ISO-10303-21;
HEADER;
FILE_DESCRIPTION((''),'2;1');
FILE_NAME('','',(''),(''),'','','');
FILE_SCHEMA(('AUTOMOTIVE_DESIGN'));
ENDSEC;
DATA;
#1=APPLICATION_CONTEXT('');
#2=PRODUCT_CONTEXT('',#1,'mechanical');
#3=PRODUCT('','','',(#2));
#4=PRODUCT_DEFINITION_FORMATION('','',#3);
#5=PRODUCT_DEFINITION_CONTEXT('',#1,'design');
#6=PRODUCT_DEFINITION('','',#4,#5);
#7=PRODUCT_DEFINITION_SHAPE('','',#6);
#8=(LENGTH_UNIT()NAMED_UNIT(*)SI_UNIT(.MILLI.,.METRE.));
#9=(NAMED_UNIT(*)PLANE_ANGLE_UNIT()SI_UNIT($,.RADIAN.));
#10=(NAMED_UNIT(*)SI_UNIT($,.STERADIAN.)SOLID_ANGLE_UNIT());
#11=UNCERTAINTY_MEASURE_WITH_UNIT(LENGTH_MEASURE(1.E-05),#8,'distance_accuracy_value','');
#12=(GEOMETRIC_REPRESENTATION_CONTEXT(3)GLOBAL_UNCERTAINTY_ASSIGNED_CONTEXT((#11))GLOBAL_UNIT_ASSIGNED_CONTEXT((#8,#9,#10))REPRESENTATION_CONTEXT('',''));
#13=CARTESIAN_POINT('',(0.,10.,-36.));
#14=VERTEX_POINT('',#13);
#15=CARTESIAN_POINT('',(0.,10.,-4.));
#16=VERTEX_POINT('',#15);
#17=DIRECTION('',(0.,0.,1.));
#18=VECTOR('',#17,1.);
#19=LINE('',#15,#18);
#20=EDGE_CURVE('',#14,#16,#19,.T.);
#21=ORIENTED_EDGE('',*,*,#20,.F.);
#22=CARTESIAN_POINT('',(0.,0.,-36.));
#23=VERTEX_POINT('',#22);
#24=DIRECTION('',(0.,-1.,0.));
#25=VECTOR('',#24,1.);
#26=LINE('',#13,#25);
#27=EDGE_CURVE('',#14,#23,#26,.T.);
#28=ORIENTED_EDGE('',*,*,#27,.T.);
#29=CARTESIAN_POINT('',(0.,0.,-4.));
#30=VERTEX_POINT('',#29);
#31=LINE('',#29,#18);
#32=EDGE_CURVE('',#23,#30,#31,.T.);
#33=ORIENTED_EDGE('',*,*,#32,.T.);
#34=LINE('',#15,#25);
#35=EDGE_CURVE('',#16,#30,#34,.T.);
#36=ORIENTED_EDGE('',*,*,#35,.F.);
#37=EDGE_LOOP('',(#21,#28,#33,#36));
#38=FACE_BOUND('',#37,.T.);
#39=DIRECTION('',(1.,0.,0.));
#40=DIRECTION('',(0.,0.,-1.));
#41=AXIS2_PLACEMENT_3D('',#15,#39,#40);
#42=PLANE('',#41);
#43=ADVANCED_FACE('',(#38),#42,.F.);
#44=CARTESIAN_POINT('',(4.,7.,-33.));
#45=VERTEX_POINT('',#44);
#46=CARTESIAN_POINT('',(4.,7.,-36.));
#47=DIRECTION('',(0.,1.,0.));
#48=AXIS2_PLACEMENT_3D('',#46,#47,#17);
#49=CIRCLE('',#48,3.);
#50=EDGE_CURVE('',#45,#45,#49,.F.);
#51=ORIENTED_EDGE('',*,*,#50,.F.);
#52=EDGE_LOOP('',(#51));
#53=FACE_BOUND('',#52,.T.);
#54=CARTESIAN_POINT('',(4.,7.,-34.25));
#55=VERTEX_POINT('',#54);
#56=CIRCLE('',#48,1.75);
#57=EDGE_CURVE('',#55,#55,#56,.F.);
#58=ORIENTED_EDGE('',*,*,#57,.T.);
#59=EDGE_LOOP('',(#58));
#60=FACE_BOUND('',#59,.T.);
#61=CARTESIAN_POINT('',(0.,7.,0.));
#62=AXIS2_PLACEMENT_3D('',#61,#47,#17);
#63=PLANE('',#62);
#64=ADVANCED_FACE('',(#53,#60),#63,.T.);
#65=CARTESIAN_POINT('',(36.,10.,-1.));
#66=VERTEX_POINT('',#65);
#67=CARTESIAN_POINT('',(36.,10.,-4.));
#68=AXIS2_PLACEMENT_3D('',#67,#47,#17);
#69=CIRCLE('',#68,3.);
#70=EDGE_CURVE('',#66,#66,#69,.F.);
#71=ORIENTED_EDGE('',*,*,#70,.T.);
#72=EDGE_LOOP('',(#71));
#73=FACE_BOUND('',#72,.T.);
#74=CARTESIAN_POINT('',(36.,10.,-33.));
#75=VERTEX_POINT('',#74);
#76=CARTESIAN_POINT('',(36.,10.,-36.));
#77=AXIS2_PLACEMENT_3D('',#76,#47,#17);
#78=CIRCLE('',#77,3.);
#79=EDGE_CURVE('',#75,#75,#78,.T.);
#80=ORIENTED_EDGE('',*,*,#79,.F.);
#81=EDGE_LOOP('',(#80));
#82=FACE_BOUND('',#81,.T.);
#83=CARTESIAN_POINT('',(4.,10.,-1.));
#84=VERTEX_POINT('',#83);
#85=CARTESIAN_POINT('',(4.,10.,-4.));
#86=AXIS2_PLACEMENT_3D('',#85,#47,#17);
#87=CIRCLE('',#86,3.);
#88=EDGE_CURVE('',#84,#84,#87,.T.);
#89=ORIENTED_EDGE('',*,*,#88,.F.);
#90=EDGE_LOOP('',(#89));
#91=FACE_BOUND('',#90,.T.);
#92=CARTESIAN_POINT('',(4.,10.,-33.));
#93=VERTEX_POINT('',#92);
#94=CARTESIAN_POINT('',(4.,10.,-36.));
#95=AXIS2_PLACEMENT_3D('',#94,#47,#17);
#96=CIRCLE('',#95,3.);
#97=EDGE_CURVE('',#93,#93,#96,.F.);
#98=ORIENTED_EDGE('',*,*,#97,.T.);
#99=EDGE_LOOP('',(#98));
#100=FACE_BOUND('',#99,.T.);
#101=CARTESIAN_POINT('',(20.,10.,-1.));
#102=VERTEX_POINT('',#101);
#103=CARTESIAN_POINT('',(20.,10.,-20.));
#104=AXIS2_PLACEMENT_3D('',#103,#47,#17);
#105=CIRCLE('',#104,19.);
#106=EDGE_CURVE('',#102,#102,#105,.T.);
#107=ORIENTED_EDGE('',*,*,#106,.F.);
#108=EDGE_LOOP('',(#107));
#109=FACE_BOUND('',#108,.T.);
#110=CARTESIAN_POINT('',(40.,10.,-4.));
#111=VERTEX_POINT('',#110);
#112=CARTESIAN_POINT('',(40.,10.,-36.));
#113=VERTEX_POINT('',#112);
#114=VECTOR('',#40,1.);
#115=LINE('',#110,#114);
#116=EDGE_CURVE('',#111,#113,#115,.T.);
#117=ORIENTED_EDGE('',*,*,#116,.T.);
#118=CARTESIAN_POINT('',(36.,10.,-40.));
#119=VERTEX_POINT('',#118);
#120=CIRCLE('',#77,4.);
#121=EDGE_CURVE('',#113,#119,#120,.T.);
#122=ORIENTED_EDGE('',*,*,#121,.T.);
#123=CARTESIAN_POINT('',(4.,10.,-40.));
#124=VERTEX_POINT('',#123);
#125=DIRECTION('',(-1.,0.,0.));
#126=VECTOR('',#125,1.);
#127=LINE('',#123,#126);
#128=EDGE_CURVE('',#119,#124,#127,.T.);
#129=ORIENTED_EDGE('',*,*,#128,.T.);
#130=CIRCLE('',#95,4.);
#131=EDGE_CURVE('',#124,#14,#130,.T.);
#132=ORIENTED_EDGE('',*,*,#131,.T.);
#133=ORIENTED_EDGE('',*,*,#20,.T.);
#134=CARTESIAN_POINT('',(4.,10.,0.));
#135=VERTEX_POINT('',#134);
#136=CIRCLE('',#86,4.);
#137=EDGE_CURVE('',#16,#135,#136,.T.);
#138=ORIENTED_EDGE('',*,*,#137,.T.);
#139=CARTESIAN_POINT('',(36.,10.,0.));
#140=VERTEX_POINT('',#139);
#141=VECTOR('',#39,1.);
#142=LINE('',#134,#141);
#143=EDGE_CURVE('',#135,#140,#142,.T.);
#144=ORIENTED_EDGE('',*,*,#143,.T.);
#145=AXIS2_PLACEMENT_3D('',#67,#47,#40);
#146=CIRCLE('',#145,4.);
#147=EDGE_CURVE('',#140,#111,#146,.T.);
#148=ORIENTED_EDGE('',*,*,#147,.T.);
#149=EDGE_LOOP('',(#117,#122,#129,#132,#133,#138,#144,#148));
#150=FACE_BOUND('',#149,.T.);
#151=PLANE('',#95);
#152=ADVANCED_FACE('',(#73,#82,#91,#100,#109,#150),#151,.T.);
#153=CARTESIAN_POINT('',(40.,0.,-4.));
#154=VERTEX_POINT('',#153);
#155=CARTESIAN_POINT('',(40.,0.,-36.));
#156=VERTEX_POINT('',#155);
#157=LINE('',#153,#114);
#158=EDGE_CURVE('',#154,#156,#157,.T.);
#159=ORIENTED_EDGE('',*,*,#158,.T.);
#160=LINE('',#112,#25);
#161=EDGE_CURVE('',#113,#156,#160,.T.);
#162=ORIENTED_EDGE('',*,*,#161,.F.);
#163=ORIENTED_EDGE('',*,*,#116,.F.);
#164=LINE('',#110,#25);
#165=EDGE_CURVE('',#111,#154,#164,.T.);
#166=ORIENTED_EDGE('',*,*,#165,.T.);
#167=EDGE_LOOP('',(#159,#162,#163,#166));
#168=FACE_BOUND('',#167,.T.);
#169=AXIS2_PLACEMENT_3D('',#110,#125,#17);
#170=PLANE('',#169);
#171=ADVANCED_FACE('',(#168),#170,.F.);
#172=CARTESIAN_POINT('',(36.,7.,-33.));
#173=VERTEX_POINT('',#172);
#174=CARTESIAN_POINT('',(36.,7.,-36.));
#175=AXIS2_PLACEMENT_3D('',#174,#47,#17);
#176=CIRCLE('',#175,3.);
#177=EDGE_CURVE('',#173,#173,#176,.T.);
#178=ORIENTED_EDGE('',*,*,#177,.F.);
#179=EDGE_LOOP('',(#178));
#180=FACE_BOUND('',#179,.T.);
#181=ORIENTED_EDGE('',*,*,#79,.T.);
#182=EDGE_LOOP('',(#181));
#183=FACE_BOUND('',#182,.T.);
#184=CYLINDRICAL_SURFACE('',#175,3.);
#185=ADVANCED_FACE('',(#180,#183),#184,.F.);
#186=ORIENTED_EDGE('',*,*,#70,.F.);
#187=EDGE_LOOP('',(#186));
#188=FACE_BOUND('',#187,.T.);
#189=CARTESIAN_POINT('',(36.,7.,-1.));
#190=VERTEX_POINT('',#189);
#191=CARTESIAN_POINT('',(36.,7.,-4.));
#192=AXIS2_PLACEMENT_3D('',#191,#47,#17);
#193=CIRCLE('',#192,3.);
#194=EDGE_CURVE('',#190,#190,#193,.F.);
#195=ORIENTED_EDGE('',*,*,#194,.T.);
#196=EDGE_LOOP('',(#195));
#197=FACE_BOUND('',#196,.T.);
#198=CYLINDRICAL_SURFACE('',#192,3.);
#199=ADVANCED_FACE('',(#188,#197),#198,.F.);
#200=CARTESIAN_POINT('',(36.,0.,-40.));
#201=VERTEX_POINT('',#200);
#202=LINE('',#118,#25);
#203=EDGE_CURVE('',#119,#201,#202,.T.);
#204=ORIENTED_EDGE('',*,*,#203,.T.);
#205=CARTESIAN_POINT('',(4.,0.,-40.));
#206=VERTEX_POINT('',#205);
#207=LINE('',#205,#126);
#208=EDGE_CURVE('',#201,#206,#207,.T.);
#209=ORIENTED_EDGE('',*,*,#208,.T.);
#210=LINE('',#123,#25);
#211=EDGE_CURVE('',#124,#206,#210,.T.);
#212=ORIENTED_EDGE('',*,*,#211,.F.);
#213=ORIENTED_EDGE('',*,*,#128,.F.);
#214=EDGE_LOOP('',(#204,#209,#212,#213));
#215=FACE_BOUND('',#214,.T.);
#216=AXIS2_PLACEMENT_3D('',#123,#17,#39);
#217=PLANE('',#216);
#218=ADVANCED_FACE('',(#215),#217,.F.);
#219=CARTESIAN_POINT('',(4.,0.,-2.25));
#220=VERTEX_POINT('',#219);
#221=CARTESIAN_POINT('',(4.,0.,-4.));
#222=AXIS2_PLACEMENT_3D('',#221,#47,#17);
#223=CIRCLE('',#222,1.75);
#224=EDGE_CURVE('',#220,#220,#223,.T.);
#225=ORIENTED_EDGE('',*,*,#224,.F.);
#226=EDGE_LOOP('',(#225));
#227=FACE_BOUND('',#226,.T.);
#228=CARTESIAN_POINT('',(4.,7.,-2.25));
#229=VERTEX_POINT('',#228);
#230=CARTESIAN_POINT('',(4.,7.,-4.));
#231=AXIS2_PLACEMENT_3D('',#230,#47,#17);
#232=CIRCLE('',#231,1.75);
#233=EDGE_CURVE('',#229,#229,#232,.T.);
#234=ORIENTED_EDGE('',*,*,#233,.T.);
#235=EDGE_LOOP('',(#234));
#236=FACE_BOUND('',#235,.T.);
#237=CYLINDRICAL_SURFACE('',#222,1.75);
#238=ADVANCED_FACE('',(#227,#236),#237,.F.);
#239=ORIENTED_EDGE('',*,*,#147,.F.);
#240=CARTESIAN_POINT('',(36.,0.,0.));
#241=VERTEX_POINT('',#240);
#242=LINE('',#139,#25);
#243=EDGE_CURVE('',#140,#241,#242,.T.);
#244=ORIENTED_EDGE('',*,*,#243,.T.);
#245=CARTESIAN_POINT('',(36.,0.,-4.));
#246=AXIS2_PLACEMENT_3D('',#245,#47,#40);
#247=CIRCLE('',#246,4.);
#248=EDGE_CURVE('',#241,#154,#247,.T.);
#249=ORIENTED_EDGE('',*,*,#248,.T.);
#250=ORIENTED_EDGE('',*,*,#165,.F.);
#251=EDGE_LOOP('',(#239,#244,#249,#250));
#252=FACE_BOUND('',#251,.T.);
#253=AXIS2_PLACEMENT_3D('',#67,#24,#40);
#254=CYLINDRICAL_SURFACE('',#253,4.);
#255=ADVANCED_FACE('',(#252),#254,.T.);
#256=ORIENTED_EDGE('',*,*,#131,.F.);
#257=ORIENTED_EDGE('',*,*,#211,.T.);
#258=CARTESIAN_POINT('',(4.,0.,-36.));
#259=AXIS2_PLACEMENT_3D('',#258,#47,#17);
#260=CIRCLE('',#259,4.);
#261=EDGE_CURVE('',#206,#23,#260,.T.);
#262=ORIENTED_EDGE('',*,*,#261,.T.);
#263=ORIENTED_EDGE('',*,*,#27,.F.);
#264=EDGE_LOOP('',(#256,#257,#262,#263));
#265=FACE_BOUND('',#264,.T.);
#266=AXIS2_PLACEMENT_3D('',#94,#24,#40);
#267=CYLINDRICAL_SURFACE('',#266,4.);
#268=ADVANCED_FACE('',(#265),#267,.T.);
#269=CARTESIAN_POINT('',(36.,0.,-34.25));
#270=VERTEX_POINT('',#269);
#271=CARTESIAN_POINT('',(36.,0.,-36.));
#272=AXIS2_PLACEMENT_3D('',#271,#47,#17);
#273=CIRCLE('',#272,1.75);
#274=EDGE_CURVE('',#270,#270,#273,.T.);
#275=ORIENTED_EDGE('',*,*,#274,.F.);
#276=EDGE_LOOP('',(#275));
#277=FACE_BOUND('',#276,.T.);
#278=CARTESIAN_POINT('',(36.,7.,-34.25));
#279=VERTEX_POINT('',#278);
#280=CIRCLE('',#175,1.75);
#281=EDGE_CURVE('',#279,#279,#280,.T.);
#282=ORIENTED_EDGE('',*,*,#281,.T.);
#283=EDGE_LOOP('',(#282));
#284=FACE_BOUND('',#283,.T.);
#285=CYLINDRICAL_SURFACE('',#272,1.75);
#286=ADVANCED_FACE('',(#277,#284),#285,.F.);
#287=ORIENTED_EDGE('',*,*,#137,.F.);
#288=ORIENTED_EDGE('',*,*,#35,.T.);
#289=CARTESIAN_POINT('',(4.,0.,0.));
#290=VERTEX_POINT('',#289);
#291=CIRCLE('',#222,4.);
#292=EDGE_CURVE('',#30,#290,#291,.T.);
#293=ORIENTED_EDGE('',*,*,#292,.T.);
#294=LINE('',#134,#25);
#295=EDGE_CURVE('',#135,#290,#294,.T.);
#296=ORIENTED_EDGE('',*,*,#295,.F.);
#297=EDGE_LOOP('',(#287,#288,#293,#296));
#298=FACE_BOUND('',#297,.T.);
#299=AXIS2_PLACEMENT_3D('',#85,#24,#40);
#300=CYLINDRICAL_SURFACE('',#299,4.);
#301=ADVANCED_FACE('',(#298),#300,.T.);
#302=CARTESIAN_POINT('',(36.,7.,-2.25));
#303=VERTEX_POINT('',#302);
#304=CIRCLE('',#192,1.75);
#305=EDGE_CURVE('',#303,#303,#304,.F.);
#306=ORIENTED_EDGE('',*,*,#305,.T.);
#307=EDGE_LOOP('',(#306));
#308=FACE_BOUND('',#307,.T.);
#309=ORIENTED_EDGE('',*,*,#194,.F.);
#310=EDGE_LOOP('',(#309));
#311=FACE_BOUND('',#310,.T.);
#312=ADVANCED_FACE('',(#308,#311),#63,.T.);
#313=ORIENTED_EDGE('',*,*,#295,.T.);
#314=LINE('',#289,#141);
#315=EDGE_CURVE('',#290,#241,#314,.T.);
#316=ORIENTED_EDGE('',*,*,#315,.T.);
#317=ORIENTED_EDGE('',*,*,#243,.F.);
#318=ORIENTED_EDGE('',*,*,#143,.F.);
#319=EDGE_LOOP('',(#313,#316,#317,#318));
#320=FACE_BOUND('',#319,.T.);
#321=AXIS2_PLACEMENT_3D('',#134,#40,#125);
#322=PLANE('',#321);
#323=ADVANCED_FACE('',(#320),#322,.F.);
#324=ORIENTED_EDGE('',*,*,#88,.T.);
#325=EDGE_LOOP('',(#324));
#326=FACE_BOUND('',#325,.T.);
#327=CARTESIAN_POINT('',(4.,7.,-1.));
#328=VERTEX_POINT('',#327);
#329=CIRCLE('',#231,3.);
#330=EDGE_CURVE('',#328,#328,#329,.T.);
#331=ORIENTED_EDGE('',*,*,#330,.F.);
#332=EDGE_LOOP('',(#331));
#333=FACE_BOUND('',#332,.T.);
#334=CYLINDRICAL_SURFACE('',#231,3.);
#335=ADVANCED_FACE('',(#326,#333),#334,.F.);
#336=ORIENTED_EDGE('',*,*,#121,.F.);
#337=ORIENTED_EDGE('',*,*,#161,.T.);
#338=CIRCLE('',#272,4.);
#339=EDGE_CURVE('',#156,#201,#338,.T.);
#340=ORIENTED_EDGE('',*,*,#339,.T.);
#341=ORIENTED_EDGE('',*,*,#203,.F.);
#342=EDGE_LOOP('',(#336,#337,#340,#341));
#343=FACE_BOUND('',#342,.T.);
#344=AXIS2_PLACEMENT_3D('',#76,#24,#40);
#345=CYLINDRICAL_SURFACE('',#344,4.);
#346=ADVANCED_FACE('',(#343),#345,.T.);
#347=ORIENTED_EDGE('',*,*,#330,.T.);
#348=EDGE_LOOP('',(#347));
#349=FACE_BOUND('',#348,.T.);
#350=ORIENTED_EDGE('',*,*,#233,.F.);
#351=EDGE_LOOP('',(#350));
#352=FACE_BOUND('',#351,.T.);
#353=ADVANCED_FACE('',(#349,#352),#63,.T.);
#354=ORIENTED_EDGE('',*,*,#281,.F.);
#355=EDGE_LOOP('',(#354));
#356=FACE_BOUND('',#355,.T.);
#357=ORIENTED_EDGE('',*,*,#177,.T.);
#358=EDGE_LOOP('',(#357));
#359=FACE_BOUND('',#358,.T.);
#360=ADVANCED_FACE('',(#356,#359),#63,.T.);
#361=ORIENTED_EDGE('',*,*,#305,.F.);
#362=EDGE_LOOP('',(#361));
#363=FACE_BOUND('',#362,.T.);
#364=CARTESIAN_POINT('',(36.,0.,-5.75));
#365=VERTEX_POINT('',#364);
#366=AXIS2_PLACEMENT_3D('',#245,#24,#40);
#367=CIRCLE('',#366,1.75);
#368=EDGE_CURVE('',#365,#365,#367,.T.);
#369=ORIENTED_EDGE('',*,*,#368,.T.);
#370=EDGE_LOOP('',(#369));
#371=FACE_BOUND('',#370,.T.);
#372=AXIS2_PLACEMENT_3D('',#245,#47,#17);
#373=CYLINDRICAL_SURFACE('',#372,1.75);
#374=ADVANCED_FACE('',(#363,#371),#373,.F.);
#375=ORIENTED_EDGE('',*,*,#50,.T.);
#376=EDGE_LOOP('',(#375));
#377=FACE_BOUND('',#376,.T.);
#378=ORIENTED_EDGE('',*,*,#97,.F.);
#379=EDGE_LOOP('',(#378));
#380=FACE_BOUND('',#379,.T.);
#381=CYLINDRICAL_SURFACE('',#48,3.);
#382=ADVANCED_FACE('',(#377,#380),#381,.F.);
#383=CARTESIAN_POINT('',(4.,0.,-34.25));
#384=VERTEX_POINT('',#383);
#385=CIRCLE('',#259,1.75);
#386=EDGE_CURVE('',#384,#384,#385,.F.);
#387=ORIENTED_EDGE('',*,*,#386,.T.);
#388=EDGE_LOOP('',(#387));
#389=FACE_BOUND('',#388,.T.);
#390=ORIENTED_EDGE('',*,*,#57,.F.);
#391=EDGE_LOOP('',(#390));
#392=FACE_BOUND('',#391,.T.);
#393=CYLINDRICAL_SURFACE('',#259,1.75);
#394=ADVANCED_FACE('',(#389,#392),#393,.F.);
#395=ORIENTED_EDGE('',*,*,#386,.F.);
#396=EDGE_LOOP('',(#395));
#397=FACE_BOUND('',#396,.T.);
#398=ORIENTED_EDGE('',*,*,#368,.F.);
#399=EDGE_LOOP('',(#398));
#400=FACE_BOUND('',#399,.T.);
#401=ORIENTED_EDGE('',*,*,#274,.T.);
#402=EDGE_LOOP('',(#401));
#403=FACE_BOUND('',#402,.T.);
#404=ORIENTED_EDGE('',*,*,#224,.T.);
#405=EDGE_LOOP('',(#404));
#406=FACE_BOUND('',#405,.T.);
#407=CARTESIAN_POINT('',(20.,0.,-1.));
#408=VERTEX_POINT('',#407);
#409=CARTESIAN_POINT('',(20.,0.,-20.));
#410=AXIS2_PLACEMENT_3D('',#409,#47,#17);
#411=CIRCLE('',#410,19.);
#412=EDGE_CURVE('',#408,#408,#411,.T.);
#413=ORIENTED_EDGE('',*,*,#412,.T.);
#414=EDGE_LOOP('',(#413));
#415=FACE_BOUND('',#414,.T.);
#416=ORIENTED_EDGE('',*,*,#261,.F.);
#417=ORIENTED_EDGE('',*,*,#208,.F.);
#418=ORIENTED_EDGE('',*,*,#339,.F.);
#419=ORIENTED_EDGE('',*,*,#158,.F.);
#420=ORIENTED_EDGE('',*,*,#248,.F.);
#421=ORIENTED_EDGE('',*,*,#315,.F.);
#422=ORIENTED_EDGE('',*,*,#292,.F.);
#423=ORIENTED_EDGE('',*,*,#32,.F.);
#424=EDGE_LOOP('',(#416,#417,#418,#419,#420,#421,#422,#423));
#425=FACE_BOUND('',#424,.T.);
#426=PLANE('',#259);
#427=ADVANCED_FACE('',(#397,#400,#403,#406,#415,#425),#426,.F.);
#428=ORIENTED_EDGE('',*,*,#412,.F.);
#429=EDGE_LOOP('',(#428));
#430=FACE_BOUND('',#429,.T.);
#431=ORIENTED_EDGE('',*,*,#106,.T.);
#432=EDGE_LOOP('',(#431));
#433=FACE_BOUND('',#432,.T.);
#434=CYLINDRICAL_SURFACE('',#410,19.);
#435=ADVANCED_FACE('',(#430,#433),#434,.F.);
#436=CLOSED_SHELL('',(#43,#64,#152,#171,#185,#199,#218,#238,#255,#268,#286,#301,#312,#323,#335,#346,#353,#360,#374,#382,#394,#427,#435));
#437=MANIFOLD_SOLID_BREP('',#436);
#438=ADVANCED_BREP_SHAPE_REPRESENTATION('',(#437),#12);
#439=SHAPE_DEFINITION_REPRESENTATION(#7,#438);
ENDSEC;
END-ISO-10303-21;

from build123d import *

# Parameters (mm, degrees)
BOSS_EXTRUDE1_DEPTH = 10
SKETCH2_R           = 3
CUT_EXTRUDE1_DEPTH  = 3
SKETCH2_5_R         = 1.75
CUT_EXTRUDE2_DEPTH  = 58.445626465
SKETCH5_R           = 19
CUT_EXTRUDE3_DEPTH  = 58.445626465


with BuildPart() as part:
    # Sketch1 → Boss-Extrude1 (new body)
    with BuildSketch(Plane(origin=(0, 0, 0), x_dir=(1, 0, 0), z_dir=(0, 1, 0))):
        with BuildLine():
            Line((4, 0), (36, 0))
            ThreePointArc((36, 0), (38.828427125, 1.171572875), (40, 4))
            Line((40, 4), (40, 36))
            ThreePointArc((40, 36), (38.828427125, 38.828427125), (36, 40))
            Line((36, 40), (4, 40))
            ThreePointArc((4, 40), (1.171572875, 38.828427125), (0, 36))
            Line((0, 36), (0, 4))
            ThreePointArc((0, 4), (1.171572875, 1.171572875), (4, 0))
        make_face()
    extrude(amount=BOSS_EXTRUDE1_DEPTH)

    # Sketch2 → Cut-Extrude1 (cut)
    with BuildSketch(Plane(origin=(0, 10, 0), x_dir=(1, 0, 0), z_dir=(0, 1, 0))):
        with Locations((4, 4)):
            Circle(SKETCH2_R)
        with Locations((4, 36)):
            Circle(SKETCH2_R)
        with Locations((36, 4)):
            Circle(SKETCH2_R)
        with Locations((36, 36)):
            Circle(SKETCH2_R)
    extrude(amount=-CUT_EXTRUDE1_DEPTH, mode=Mode.SUBTRACT)

    # Sketch2<5> → Cut-Extrude2 (cut, through all)
    with BuildSketch(Plane(origin=(0, 10, 0), x_dir=(1, 0, 0), z_dir=(0, 1, 0))):
        with Locations((4, 4)):
            Circle(SKETCH2_5_R)
        with Locations((4, 36)):
            Circle(SKETCH2_5_R)
        with Locations((36, 4)):
            Circle(SKETCH2_5_R)
        with Locations((36, 36)):
            Circle(SKETCH2_5_R)
    extrude(amount=-CUT_EXTRUDE2_DEPTH, mode=Mode.SUBTRACT)

    # Sketch5 → Cut-Extrude3 (cut, through all)
    with BuildSketch(Plane(origin=(0, 10, 0), x_dir=(1, 0, 0), z_dir=(0, 1, 0))):
        with Locations((20, 20)):
            Circle(SKETCH5_R)
    extrude(amount=-CUT_EXTRUDE3_DEPTH, mode=Mode.SUBTRACT)


solid = part.part
